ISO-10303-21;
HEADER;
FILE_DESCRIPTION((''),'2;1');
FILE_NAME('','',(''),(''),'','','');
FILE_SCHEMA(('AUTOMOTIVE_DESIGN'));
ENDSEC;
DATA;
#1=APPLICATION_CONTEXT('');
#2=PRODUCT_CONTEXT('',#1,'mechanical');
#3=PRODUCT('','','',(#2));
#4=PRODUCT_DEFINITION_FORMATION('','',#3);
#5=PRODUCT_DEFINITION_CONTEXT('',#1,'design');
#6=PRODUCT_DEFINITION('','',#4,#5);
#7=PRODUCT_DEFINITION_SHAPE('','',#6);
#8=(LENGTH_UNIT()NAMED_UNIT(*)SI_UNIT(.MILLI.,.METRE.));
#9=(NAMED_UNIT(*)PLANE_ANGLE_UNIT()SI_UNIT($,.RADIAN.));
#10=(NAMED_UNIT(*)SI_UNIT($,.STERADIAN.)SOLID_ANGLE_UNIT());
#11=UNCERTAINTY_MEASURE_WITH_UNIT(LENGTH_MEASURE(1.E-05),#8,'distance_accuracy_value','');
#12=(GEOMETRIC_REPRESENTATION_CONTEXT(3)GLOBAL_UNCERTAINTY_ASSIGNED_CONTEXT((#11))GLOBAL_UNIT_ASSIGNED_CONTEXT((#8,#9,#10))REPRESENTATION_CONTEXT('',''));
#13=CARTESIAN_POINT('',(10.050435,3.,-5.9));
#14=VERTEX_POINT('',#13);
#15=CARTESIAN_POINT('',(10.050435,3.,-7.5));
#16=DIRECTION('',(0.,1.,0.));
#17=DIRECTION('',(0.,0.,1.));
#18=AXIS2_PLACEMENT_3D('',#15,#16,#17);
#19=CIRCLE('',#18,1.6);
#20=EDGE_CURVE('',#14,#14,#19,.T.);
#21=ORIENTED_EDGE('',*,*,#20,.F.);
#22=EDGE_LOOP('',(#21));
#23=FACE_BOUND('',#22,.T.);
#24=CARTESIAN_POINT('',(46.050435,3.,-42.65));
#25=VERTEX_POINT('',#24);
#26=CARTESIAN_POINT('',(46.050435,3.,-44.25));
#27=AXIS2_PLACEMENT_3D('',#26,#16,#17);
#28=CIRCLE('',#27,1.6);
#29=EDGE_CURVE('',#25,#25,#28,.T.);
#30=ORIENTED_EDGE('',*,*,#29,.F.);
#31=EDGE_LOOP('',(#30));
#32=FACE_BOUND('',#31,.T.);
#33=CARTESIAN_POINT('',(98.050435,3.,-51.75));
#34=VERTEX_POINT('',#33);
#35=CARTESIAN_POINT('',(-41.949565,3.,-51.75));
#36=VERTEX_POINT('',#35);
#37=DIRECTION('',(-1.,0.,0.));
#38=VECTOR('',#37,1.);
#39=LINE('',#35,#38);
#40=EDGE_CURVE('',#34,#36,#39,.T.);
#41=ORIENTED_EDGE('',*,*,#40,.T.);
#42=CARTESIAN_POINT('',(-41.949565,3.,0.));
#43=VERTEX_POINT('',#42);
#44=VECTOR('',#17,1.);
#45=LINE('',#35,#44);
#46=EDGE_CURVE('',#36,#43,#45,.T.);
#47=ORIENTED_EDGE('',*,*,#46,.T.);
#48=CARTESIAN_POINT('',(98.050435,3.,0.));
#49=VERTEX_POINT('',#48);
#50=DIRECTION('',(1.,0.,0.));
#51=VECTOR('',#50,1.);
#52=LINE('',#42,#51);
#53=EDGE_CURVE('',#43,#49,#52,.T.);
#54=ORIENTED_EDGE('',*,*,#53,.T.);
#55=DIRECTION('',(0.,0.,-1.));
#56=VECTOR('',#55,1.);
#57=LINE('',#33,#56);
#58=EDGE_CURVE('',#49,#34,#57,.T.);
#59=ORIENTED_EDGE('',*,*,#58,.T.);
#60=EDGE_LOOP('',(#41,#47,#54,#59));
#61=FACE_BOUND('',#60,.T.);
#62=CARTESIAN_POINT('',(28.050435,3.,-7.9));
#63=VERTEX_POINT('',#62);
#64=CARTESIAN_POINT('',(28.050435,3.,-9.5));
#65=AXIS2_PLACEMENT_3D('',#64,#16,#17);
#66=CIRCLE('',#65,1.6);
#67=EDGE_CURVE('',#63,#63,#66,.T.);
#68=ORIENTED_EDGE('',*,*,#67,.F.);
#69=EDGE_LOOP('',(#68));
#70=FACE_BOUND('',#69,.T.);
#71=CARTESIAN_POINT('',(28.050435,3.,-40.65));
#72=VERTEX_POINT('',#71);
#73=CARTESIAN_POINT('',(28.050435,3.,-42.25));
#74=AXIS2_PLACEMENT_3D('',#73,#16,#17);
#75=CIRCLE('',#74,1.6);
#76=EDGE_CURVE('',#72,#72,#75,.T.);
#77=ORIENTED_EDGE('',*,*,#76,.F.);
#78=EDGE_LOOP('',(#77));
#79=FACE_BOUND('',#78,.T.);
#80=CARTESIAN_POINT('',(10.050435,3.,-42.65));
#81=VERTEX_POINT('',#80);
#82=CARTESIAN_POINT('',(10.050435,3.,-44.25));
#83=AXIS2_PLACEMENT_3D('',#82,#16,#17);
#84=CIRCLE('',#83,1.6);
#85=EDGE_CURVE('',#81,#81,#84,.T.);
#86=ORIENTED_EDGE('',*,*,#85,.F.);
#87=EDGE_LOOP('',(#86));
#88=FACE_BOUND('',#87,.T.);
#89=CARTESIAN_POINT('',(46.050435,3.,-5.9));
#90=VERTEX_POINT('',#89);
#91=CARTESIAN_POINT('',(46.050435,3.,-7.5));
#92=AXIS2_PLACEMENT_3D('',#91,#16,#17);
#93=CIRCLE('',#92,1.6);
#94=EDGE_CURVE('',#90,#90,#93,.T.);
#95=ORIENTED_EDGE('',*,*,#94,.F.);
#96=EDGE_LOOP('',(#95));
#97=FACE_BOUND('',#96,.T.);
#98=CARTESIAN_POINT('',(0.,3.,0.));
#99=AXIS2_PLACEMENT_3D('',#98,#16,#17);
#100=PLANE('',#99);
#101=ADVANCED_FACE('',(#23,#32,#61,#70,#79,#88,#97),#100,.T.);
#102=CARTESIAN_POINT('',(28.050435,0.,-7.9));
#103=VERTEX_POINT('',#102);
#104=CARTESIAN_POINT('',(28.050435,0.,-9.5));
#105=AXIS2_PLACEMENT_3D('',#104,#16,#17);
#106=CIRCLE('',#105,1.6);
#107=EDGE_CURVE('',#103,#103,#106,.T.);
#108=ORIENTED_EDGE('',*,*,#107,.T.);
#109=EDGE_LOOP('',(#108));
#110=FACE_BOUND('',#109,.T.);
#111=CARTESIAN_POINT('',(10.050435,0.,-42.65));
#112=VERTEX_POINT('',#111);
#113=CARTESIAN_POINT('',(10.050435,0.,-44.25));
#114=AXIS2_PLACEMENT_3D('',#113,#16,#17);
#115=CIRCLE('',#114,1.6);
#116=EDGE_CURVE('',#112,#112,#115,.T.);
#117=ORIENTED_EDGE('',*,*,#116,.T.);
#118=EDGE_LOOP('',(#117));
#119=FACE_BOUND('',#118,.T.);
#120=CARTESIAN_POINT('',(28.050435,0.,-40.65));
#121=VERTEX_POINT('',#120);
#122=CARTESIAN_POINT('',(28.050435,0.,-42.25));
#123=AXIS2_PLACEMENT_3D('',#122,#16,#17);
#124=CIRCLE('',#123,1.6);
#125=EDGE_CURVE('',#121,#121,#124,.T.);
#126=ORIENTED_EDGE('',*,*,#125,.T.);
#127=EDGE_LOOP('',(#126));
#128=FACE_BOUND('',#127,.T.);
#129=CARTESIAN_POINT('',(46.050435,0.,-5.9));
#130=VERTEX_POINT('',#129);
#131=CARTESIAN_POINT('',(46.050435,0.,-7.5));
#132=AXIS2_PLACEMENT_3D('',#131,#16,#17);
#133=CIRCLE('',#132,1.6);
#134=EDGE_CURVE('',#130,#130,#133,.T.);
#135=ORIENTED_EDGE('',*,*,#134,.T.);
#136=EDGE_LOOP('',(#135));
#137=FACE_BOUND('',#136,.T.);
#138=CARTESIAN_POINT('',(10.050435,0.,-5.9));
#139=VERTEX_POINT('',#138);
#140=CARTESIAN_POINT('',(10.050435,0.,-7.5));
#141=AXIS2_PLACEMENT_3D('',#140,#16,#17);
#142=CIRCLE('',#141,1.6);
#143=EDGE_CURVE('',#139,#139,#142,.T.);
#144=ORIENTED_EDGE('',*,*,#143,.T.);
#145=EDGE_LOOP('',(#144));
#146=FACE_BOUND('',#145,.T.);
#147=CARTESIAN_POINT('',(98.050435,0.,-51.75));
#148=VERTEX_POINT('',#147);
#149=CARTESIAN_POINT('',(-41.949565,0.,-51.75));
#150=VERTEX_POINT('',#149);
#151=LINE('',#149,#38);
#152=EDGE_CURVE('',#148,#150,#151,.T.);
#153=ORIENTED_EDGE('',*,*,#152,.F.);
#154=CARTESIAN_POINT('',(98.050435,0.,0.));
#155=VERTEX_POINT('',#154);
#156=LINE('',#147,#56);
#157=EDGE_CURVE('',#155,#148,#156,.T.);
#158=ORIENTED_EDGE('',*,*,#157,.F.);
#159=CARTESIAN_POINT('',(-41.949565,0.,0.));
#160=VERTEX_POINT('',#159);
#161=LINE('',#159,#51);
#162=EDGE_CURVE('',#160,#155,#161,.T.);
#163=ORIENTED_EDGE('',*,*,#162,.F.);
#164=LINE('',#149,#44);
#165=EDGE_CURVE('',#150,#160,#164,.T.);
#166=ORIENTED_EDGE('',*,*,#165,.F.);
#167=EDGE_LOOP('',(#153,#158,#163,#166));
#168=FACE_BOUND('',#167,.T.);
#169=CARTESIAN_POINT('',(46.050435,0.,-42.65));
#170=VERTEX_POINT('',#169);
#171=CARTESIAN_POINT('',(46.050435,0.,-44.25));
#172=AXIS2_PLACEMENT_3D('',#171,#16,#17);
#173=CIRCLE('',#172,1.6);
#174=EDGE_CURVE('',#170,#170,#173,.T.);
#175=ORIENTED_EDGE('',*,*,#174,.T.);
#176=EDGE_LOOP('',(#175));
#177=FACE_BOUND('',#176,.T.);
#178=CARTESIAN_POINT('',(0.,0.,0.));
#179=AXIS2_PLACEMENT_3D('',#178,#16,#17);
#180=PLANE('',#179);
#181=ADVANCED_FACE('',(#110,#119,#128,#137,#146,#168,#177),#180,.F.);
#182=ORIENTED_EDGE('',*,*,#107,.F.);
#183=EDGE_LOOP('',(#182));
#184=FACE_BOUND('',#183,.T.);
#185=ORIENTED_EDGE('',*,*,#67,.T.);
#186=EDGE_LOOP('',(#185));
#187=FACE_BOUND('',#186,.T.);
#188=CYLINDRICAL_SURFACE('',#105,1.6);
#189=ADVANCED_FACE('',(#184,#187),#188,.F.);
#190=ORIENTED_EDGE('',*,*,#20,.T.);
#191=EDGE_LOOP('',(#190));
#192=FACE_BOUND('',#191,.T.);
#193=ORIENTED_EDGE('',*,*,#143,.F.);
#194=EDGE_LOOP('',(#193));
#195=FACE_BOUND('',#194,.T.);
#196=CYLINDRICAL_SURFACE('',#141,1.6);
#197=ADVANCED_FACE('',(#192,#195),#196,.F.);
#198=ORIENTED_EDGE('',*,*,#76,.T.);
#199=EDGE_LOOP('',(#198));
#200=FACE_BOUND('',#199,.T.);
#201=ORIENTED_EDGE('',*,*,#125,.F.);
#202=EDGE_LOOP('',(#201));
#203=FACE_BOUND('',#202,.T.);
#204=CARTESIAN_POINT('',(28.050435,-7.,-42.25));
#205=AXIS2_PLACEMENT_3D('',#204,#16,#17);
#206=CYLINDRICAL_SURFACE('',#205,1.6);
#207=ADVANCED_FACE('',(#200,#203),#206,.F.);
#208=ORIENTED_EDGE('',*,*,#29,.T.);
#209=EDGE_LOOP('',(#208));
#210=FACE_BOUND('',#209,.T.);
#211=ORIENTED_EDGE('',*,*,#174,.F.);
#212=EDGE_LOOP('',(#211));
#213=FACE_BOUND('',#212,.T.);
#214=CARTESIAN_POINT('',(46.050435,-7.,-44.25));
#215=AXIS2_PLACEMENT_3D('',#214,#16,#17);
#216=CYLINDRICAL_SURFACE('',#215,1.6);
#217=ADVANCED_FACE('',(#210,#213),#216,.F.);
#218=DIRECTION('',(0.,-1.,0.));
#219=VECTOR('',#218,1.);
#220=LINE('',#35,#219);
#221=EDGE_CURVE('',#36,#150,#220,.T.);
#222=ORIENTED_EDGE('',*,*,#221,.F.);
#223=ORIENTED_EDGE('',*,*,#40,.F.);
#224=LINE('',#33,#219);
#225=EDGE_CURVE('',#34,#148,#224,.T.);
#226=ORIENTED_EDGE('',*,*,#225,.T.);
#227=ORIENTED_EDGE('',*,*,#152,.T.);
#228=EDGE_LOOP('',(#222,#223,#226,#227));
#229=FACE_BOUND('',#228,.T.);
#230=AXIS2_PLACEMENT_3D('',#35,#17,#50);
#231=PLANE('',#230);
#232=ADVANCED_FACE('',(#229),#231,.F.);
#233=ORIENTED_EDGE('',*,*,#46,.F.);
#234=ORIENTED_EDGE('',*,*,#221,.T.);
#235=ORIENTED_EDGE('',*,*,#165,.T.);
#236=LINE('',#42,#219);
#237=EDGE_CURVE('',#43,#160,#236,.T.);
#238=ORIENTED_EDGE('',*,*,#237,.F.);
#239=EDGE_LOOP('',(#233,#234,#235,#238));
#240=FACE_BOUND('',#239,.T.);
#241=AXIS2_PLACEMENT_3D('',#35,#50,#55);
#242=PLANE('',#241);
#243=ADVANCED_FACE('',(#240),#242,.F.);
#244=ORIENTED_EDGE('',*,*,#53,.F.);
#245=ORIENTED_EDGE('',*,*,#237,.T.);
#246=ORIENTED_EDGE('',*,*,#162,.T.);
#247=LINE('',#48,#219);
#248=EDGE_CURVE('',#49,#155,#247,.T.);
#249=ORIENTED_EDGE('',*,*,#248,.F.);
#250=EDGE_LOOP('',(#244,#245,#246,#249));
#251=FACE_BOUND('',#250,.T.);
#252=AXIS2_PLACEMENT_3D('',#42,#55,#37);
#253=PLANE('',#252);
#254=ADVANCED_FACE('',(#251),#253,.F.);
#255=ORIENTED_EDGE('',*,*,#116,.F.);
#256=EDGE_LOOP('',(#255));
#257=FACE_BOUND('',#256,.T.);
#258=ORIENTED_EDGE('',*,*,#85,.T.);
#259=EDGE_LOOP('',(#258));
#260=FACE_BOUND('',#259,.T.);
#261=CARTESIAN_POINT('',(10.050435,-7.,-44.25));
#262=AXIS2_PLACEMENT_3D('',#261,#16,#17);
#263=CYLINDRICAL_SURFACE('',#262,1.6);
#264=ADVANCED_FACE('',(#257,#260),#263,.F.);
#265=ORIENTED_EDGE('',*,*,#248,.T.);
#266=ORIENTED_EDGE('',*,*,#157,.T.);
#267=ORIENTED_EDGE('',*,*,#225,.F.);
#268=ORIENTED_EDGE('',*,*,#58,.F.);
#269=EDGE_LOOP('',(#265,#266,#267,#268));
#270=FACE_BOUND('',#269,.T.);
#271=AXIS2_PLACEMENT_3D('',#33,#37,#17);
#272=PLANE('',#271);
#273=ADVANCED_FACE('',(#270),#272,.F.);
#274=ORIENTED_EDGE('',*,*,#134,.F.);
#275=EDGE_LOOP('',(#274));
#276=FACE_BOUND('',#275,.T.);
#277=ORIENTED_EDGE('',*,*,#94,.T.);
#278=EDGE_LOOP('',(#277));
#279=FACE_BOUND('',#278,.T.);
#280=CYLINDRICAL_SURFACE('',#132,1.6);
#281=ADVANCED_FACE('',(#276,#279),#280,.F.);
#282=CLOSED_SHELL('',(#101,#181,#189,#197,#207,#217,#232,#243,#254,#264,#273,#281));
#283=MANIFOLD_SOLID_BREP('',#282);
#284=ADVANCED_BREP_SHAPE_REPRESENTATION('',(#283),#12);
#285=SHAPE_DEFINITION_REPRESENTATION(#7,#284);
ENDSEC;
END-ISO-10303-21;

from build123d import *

# Parameters (mm, degrees)
SKETCH_1_W               = 140
SKETCH_1_H               = 51.75
EXTRUDE_1_DEPTH          = 3
CUT_EXTRUDE_1_DEPTH      = 111.909649071
CUT_EXTRUDE_1_DEPTH_BACK = 111.909649071
SKETCH_2_R               = 1.6
SKETCH_3_R               = 1.6
CUT_EXTRUDE_2_DEPTH      = 10


with BuildPart() as part:
    # 草图1 → 凸台-拉伸1 (new body)
    with BuildSketch(Plane(origin=(0, 0, 0), x_dir=(1, 0, 0), z_dir=(0, 1, 0))):
        with Locations((28.050434762, 25.875)):
            Rectangle(SKETCH_1_W, SKETCH_1_H)
    extrude(amount=EXTRUDE_1_DEPTH)

    # 草图2 → 切除-拉伸1 (cut, two sides: drawn at the far end of the back side and taken through both)
    with BuildSketch(Plane(origin=(0, 3, 0), x_dir=(1, 0, 0), z_dir=(0, 1, 0)).offset(-CUT_EXTRUDE_1_DEPTH_BACK)):
        with Locations(Location((28.050434762, 9.5, 0), (0, 0, 270))):
            Circle(SKETCH_2_R)
        with Locations(Location((46.050434762, 7.5, 0), (0, 0, 270))):
            Circle(SKETCH_2_R)
        with Locations(Location((10.050434762, 7.5, 0), (0, 0, 270))):
            Circle(SKETCH_2_R)
    extrude(amount=CUT_EXTRUDE_1_DEPTH + CUT_EXTRUDE_1_DEPTH_BACK, mode=Mode.SUBTRACT)

    # 草图3 → 切除-拉伸2 (cut)
    with BuildSketch(Plane(origin=(0, 3, 0), x_dir=(1, 0, 0), z_dir=(0, 1, 0))):
        with Locations(Location((10.050434762, 44.25, 0), (0, 0, 270))):
            Circle(SKETCH_3_R)
        with Locations(Location((28.050434762, 42.25, 0), (0, 0, 270))):
            Circle(SKETCH_3_R)
        with Locations(Location((46.050434762, 44.25, 0), (0, 0, 270))):
            Circle(SKETCH_3_R)
    extrude(amount=-CUT_EXTRUDE_2_DEPTH, mode=Mode.SUBTRACT)


solid = part.part
